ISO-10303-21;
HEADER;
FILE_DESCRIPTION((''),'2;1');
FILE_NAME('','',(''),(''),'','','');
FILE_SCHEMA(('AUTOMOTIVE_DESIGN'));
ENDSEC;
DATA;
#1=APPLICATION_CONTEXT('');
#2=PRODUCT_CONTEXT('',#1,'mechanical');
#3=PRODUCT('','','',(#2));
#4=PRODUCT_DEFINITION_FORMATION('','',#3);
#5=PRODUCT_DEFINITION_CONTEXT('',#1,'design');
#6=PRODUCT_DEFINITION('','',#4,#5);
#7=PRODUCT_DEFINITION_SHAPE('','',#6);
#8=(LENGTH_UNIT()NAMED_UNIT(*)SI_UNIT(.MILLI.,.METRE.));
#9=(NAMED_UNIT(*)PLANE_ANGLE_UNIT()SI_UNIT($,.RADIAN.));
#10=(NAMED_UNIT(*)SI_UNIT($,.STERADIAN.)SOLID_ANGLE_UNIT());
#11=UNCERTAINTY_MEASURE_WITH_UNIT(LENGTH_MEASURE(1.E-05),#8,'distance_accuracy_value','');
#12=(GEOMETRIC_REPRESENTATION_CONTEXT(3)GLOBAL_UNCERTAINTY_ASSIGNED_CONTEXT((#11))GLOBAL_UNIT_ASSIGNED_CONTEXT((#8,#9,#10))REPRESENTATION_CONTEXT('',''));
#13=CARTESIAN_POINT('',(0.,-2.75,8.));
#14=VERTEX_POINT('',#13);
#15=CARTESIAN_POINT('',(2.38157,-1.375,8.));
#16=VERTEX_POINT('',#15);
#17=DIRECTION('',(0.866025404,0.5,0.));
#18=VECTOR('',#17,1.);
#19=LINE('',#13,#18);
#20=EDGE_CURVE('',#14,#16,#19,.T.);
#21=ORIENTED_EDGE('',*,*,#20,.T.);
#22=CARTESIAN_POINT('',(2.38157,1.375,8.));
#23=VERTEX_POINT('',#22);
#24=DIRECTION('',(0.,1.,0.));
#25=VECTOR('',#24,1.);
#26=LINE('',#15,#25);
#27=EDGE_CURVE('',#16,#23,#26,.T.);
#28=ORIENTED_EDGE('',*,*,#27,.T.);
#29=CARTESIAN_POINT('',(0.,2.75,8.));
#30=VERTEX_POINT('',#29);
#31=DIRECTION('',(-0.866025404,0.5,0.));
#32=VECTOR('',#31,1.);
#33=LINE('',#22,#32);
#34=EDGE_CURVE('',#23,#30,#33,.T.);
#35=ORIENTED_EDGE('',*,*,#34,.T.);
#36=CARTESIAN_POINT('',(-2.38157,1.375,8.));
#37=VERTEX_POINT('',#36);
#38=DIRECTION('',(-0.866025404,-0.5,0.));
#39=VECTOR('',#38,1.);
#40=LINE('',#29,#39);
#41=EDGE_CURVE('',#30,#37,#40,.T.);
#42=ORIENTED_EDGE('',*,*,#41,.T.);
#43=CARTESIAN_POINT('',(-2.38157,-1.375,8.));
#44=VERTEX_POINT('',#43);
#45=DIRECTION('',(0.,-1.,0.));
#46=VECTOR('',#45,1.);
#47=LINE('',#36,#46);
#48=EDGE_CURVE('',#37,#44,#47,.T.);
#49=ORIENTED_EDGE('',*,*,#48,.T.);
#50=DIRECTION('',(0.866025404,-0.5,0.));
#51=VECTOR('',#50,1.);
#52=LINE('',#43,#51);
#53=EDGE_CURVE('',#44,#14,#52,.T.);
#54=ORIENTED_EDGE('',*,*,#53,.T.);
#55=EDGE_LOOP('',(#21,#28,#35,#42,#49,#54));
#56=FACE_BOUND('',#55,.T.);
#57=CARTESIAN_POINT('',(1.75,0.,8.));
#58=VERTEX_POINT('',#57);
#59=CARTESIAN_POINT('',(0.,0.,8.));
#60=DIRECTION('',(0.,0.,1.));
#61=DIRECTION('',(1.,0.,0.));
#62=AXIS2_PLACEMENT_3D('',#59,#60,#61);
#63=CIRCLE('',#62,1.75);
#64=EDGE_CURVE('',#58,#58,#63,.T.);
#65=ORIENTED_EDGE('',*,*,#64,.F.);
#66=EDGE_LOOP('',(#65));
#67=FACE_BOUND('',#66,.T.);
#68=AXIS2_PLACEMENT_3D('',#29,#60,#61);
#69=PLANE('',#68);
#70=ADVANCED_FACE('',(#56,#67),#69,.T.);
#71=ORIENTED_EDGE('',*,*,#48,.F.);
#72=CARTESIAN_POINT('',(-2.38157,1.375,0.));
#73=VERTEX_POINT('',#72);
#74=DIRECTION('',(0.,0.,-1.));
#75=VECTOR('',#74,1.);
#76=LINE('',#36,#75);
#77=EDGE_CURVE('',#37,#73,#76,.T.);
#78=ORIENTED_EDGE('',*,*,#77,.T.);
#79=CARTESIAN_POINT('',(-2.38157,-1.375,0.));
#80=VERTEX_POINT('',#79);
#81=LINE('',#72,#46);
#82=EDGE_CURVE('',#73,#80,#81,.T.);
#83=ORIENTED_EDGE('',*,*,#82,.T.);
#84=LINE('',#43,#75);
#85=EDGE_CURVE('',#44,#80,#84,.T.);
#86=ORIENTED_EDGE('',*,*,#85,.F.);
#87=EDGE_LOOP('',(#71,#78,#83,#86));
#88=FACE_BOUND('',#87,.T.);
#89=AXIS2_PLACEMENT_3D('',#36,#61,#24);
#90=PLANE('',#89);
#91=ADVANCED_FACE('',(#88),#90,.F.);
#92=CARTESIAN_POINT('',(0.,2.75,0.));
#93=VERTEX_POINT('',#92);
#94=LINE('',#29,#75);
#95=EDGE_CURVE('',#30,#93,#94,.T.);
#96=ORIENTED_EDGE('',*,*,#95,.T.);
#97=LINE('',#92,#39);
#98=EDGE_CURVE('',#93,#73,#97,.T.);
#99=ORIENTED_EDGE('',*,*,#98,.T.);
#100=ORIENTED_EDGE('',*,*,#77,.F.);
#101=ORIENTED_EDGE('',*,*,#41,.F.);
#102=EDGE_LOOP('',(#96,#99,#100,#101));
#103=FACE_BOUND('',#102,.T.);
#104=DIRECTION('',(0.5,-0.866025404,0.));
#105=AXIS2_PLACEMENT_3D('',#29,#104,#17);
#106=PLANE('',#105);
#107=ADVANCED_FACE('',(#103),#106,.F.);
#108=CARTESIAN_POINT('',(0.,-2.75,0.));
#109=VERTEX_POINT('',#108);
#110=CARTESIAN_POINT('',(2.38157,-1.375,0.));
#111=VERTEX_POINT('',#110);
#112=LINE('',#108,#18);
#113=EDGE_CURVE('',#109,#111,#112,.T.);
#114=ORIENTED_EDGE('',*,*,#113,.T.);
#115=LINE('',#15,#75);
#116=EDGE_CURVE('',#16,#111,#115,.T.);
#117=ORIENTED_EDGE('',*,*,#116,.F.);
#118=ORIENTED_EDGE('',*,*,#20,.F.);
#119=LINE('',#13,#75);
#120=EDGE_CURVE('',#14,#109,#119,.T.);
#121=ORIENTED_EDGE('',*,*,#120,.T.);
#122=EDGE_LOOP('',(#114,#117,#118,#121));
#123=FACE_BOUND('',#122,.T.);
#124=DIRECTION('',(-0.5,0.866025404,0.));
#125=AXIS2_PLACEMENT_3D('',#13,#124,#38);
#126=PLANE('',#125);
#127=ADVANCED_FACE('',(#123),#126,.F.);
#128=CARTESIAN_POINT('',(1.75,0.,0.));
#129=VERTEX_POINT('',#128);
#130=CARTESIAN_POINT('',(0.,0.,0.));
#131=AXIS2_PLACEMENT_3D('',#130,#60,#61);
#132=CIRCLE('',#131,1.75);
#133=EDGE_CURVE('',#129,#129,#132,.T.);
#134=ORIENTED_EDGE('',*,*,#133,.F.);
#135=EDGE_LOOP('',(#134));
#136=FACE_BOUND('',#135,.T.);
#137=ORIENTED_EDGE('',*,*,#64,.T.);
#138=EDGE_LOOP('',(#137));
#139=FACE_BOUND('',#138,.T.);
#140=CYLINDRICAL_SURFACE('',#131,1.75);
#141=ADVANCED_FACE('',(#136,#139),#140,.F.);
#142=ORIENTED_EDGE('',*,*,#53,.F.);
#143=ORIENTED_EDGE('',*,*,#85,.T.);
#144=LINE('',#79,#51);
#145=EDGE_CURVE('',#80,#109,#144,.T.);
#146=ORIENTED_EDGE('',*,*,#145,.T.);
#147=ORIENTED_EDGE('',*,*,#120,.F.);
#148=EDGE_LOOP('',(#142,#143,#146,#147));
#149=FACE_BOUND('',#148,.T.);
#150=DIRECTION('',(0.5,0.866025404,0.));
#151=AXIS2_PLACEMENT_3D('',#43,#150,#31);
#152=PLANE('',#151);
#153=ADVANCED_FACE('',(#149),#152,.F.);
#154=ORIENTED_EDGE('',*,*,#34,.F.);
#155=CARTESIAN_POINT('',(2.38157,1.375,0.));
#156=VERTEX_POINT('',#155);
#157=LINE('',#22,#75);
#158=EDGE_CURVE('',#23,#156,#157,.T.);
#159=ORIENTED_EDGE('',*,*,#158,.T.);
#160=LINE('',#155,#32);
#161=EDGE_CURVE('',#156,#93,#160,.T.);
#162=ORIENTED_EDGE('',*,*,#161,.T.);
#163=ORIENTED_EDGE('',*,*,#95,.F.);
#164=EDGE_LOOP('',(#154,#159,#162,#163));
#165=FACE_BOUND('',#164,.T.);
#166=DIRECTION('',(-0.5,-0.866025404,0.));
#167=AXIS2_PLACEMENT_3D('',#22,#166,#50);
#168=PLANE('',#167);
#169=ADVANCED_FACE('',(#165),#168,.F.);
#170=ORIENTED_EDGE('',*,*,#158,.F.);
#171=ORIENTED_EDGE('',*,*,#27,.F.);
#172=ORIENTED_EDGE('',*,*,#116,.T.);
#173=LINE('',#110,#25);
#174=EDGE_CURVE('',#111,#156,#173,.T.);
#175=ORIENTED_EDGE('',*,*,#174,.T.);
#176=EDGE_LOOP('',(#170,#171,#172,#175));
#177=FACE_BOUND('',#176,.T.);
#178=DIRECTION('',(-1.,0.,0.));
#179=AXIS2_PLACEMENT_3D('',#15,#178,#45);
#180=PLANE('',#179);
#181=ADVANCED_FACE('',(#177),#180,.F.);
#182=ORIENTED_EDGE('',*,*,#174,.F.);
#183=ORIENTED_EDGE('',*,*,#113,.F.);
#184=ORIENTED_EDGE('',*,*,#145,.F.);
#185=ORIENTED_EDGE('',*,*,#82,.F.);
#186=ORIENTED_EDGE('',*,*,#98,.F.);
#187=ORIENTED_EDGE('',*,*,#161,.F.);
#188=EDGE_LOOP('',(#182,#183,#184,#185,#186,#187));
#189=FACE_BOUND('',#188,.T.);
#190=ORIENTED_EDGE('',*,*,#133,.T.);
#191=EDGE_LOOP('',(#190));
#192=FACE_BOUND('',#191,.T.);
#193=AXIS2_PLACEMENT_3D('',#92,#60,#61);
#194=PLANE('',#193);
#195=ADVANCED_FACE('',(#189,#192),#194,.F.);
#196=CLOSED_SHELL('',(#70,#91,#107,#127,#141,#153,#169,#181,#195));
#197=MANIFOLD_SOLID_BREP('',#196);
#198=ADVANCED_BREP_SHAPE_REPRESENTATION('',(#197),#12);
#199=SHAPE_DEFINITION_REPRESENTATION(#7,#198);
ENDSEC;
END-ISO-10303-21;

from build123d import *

# Parameters (mm, degrees)
BOSS_EXTRUDE1_DEPTH = 8
SKETCH2_R           = 1.75
CUT_EXTRUDE1_DEPTH  = 9.788308995


with BuildPart() as part:
    # Sketch1 → Boss-Extrude1 (new body)
    with BuildSketch(Plane.XY):
        Polygon((0, 2.75), (-2.38156986, 1.375), (-2.38156986, -1.375), (0, -2.75), (2.38156986, -1.375), (2.38156986, 1.375), align=None)
    extrude(amount=BOSS_EXTRUDE1_DEPTH)

    # Sketch2 → Cut-Extrude1 (cut, through all)
    with BuildSketch(Plane.XY.offset(8)):
        Circle(SKETCH2_R)
    extrude(amount=-CUT_EXTRUDE1_DEPTH, mode=Mode.SUBTRACT)


solid = part.part
